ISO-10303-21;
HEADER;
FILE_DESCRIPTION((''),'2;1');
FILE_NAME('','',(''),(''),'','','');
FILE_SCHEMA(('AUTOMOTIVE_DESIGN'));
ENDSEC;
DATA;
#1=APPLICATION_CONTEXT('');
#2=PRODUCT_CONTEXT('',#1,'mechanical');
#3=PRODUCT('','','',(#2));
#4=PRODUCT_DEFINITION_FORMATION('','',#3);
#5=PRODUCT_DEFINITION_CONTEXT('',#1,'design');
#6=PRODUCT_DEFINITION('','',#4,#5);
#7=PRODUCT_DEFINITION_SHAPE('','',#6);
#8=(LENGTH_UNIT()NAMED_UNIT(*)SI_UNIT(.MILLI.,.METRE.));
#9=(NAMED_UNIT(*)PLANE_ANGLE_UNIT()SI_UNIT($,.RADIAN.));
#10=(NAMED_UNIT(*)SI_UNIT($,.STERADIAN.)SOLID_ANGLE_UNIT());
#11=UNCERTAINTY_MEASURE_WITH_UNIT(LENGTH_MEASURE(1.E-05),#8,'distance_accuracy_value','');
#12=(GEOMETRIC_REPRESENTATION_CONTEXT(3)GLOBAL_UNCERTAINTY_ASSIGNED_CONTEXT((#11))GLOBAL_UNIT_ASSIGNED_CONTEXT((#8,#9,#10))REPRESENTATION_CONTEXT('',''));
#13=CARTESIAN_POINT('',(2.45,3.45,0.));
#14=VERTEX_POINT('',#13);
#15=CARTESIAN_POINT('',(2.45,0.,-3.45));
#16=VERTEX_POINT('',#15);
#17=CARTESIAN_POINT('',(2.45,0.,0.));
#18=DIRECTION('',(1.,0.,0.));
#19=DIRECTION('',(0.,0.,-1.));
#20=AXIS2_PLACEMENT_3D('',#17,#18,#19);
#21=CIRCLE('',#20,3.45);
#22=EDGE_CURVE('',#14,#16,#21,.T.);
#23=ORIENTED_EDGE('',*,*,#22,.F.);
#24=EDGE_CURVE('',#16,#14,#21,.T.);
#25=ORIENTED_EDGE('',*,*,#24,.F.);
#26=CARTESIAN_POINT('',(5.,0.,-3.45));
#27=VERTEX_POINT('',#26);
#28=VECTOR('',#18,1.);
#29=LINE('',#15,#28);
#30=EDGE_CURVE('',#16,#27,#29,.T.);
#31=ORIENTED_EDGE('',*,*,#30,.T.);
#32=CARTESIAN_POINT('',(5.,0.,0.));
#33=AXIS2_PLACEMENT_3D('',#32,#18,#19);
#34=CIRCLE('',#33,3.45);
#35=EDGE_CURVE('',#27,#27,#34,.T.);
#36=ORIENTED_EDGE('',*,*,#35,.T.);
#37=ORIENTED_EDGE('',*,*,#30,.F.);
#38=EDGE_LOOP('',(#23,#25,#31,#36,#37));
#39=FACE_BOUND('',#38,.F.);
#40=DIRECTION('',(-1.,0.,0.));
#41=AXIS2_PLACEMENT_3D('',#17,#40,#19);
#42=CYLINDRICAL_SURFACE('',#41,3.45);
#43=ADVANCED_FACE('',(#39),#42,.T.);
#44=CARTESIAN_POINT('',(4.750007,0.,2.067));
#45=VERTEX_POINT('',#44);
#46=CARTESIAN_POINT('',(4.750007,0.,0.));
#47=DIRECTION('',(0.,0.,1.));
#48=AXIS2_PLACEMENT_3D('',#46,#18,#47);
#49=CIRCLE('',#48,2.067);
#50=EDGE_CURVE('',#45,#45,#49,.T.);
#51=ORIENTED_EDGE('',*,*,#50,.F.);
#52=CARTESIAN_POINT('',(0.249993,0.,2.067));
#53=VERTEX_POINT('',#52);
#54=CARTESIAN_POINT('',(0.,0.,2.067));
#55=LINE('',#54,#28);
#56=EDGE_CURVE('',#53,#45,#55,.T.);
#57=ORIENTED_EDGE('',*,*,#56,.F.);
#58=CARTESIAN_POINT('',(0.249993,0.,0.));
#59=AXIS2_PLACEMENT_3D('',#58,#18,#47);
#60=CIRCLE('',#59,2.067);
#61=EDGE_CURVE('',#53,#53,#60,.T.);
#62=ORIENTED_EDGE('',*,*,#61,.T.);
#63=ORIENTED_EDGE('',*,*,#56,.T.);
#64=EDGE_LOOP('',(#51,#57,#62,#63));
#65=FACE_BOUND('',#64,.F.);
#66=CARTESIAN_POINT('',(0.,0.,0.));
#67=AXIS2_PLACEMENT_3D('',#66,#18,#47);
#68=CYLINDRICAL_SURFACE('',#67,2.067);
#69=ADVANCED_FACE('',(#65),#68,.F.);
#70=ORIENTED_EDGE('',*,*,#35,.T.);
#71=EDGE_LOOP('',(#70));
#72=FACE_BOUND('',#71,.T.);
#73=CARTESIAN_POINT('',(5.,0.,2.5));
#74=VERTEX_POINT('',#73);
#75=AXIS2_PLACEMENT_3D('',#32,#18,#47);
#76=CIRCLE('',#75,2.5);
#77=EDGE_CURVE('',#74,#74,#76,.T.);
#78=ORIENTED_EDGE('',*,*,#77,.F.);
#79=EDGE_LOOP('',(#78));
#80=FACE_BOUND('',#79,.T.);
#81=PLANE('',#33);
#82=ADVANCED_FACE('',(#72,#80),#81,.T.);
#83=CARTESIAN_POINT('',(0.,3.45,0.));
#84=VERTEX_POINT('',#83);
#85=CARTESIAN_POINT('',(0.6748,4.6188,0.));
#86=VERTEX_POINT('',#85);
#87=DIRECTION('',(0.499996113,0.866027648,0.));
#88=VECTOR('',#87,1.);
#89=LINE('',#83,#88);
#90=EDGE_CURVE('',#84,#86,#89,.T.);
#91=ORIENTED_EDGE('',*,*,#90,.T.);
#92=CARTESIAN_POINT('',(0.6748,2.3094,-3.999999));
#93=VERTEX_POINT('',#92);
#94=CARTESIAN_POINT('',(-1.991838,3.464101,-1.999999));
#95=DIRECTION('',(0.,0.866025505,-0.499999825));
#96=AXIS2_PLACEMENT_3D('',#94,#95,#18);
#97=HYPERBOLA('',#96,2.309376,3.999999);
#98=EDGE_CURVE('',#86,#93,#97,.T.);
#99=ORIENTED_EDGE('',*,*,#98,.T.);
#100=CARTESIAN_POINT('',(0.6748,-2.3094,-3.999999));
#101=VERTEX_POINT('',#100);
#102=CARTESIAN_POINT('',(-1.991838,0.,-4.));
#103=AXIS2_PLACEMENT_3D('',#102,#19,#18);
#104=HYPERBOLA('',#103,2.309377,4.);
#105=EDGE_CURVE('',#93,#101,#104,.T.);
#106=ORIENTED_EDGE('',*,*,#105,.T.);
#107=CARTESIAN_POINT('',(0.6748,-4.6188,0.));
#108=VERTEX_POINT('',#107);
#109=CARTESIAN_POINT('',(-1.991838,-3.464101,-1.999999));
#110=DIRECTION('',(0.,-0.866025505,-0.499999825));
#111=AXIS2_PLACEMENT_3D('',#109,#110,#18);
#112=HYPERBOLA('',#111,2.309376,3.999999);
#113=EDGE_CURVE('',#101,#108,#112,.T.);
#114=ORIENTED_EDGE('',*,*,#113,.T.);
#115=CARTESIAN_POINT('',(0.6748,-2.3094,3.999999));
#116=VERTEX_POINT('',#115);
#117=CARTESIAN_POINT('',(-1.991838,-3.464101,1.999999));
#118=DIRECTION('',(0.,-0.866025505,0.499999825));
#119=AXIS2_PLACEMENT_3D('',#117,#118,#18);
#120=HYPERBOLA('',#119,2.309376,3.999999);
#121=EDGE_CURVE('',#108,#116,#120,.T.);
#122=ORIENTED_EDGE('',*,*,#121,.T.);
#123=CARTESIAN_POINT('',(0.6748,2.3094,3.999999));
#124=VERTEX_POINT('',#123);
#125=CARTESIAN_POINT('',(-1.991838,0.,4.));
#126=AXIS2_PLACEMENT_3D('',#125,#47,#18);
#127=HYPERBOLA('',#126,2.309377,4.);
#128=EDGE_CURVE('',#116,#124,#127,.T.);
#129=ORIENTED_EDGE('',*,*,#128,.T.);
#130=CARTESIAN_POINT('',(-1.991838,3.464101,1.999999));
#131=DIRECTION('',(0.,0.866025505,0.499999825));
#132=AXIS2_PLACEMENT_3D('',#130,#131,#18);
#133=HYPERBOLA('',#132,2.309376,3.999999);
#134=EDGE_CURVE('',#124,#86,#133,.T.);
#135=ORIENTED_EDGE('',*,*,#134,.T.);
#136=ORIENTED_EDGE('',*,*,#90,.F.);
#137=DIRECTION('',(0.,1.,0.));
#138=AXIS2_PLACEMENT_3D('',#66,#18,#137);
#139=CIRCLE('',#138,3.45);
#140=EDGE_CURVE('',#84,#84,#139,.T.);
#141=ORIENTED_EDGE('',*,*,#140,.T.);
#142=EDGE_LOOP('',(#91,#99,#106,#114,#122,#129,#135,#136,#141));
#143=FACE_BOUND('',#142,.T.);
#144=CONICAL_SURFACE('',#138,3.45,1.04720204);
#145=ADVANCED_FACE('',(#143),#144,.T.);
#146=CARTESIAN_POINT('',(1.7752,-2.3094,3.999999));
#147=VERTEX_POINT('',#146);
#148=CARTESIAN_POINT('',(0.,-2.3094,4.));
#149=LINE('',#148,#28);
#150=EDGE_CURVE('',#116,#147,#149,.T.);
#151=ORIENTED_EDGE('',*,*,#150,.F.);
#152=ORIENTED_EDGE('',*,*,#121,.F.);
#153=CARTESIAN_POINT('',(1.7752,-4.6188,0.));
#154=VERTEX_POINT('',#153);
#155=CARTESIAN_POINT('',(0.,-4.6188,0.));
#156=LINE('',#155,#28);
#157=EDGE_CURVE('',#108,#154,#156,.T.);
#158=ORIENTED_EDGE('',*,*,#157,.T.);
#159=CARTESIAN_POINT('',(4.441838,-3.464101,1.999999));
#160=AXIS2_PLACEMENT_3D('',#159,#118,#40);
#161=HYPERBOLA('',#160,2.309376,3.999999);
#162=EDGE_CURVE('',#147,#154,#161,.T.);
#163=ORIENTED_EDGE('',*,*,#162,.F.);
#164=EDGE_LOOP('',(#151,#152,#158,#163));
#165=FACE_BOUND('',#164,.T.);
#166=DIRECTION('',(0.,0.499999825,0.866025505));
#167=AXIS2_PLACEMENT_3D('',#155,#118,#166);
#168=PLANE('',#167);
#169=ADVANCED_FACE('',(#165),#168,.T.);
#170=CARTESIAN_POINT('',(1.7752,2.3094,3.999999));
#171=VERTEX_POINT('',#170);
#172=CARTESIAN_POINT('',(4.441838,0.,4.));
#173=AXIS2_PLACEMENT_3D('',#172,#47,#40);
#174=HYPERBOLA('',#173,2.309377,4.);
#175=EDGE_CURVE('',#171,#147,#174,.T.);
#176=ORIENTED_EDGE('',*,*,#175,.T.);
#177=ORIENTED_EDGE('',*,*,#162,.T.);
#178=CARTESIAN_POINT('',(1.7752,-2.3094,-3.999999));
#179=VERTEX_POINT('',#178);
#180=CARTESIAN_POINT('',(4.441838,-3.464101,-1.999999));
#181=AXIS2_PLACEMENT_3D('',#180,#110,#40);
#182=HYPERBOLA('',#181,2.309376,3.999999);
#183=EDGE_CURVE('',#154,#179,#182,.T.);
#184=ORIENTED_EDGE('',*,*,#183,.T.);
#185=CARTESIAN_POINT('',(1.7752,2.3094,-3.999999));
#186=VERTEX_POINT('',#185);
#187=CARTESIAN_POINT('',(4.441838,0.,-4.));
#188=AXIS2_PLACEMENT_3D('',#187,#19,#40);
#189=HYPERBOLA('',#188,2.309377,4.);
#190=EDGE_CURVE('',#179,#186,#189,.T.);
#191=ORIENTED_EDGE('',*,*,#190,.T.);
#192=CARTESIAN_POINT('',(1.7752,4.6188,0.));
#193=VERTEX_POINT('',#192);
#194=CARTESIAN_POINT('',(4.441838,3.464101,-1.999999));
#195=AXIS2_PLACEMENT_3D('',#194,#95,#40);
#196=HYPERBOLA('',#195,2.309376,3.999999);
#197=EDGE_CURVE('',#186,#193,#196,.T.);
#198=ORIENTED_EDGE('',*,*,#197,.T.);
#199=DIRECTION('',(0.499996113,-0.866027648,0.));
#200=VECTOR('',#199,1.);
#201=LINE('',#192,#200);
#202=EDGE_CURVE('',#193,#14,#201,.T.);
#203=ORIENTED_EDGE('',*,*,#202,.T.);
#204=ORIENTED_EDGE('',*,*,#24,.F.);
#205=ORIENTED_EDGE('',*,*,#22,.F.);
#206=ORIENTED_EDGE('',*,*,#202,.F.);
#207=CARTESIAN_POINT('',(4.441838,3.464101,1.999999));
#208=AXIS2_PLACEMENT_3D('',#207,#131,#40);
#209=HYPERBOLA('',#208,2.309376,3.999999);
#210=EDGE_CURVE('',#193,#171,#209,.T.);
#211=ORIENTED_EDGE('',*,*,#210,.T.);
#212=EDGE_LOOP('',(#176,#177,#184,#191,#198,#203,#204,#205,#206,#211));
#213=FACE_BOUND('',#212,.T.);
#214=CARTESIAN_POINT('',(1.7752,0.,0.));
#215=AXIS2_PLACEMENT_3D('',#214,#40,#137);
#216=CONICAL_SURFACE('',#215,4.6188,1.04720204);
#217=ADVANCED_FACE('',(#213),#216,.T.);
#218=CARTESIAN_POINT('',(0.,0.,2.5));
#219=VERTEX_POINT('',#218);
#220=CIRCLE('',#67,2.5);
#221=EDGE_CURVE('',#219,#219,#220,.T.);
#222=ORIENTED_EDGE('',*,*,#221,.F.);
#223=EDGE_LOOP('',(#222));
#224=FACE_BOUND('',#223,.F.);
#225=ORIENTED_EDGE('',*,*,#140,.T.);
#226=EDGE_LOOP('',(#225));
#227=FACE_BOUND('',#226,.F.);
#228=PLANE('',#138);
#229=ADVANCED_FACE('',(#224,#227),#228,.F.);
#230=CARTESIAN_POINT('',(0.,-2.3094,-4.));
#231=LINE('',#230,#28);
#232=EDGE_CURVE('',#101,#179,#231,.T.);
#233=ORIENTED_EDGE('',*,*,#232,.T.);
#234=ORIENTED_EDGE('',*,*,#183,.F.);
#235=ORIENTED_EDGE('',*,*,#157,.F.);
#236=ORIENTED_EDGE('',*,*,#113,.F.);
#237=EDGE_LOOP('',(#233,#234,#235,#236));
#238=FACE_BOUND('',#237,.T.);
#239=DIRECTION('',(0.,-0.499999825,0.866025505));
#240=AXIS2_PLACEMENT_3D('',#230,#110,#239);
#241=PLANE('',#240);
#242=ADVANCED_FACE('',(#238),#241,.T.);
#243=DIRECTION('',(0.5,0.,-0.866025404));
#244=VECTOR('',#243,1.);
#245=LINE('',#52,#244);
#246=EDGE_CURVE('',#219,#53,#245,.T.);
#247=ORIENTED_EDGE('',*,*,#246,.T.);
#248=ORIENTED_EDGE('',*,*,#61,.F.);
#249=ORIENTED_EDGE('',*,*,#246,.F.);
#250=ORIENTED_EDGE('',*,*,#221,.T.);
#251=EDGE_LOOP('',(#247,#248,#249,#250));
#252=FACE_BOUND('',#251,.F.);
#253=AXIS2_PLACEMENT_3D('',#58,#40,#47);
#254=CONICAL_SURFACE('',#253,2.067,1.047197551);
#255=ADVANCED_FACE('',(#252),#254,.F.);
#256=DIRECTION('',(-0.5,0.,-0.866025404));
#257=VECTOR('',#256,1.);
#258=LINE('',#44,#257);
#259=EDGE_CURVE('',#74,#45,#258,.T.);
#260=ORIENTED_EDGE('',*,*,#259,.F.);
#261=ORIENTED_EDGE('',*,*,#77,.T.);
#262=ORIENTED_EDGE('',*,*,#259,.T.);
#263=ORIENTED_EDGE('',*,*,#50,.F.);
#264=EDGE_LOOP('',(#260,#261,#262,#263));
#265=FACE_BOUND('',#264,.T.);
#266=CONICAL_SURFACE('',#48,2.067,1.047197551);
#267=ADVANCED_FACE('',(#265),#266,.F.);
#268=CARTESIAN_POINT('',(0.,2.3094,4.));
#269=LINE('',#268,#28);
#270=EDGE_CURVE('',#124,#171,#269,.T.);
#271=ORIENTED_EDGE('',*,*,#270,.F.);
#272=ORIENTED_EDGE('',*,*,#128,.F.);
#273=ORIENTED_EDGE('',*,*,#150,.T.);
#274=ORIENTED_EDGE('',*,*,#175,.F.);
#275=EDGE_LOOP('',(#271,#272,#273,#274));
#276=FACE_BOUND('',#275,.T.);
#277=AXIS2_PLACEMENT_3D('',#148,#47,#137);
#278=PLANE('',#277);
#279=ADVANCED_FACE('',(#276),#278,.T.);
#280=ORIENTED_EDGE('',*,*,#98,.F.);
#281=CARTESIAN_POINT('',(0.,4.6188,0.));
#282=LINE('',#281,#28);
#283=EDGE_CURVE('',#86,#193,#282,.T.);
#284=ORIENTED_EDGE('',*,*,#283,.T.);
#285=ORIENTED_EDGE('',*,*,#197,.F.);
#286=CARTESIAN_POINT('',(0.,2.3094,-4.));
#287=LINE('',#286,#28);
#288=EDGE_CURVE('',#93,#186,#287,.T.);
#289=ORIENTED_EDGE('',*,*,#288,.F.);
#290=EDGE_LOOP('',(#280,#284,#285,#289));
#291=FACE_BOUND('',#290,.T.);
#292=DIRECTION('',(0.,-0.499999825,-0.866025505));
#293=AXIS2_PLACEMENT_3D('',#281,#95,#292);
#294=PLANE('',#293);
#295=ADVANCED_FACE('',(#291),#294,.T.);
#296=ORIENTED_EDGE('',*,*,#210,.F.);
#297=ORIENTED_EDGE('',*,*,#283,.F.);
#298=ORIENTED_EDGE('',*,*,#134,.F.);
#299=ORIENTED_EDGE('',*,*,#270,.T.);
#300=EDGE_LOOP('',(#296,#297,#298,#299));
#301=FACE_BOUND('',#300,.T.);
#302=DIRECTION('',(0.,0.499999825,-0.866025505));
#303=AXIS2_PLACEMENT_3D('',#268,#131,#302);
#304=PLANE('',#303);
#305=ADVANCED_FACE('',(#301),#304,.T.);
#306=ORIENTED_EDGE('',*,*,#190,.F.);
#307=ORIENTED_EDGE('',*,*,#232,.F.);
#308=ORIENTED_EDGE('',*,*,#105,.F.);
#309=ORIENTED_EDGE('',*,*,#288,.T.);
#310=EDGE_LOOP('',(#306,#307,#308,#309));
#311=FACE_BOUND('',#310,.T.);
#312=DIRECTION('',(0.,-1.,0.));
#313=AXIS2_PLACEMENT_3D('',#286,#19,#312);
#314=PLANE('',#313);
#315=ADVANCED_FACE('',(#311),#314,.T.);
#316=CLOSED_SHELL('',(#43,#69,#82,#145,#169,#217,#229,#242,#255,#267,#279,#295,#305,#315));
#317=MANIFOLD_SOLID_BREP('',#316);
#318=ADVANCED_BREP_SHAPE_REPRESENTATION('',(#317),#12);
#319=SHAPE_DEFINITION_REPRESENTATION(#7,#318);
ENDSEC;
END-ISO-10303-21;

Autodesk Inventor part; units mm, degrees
ref_plane "YZ Plane" through (0, 0, 0) normal (1, 0, 0) x (0, 1, 0)
ref_plane "XZ Plane" through (0, 0, 0) normal (0, 1, 0) x (-1, 0, 0)
sketch "Skizze1" plane through (0, 0, 0) normal (1, 0, 0) x (0, 1, 0)
  line L0 (2.3094, -4) -> (-2.3094, -4)
  line L1 (-2.3094, -4) -> (-4.6188, 0)
  line L2 (-4.6188, 0) -> (-2.3094, 4)
  line L3 (-2.3094, 4) -> (2.3094, 4)
  line L4 (2.3094, 4) -> (4.6188, 0)
  line L5 (4.6188, 0) -> (2.3094, -4)
  point P0 (0, 0)
  point P1 (0, 0)
  dimension "d0" = 9.2376
extrude "Körper" add sketch "Skizze1" along normal blind 2.45
sketch "Skizze2" plane through (2.45, 0, 0) normal (1, 0, 0) x (0, 0, -1)
  circle A0 centre (0, 0) radius 3.45
  dimension "d7" = 6.9
extrude "Ring" add sketch "Skizze2" along normal blind 2.55
sketch "Skizze3" plane through (0, 0, 0) normal (0, 0, 1) x (1, 0, 0)
  line L0 (0, 2.3094) -> (0, 4.6188) projected
  line L1 (0, 4.6188) -> (2.45, 4.6188) projected
  line L2 (2.45, 2.3094) -> (2.45, 4.6188) projected
  line L3 (-0.49, 0) -> (2.94, 0) projected
  line L4 (0, 3.45) -> (0.6748, 4.6188)
  line L5 (1.7752, 4.6188) -> (2.45, 3.45)
  dimension "d3" = 30
  dimension "d4" = 30
  dimension "d5" = 6.9
  dimension "d6" = 6.9
revolve "Fase1" cut sketch "Skizze3" angle 360 about axis through (-10, 0, 0) along (1, 0, 0)
sketch "Skizze4" plane through (0, 0, 0) normal (-1, 0, 0) x (0, 0, 1)
  line L0 (0, -6.4663) -> (0, 6.4663) projected
  line L1 (-5.6, 0) -> (5.6, 0) projected
  point P0 (0, 0)
hole "Gewinde" at (0, 0, 0) direction (1, 0, 0) diameter 4.134 end through all thread size "M5x0.8" class "6H" standard "ISO Metric profile"
chamfer "Fase2" distance 0.433 angle 30 1 edges at (0, 0, -2.067) measured on face at (0, 2.9506, -0.3583)
chamfer "Fase3" distance 0.433 angle 30 1 edges at (5, 0, -2.067) measured on face at (5, -0.4401, -2.9356)
ref_plane "Work Plane1" through (13.2035, 0, 0) normal (0, 0, 1) x (-1, 0, 0)
equation "\"d0\" = 1.1547 * SW"
equation "\"d1\" = KOH1"
equation "\"d7\" = SD2"
equation "\"d8\" = KOH - KOH1"
equation "\"d3\" = ANG1"
equation "\"d4\" = ANG2"
equation "\"d5\" = SW0"
equation "\"d6\" = SW01"
equation "\"d10\" = -0.5 * GD1 + 0.5 * NND"
equation "\"d46\" = -0.5 * GD1 + 0.5 * NND"
equation "\"d12\" = -0.5 * GD1 + 0.5 * NND"
equation "\"d47\" = -0.5 * GD1 + 0.5 * NND"
equation "\"ANG1\" = 30deg"
equation "\"ANG2\" = 30deg"
equation "\"NND\" = 5"
equation "\"KOH1\" = 2.45"
equation "\"KOH\" = 5"
equation "\"SW\" = 8"
equation "\"SW0\" = 6.9"
equation "\"SW01\" = SW0"
equation "\"SD2\" = SW0"
equation "\"GUL\" = 0.541266 * PTC"
equation "\"THREADDIA\" = 5"
equation "\"TOA\" = 30deg"
equation "\"PTC\" = 0.8"
equation "\"E0\" = 1.155 * SW"
equation "\"GAL\" = 0.541266 * PTC"
equation "\"GD1\" = 4.133975"
properties part number "ISO 10511 - M5" material "Stahl, weich"
